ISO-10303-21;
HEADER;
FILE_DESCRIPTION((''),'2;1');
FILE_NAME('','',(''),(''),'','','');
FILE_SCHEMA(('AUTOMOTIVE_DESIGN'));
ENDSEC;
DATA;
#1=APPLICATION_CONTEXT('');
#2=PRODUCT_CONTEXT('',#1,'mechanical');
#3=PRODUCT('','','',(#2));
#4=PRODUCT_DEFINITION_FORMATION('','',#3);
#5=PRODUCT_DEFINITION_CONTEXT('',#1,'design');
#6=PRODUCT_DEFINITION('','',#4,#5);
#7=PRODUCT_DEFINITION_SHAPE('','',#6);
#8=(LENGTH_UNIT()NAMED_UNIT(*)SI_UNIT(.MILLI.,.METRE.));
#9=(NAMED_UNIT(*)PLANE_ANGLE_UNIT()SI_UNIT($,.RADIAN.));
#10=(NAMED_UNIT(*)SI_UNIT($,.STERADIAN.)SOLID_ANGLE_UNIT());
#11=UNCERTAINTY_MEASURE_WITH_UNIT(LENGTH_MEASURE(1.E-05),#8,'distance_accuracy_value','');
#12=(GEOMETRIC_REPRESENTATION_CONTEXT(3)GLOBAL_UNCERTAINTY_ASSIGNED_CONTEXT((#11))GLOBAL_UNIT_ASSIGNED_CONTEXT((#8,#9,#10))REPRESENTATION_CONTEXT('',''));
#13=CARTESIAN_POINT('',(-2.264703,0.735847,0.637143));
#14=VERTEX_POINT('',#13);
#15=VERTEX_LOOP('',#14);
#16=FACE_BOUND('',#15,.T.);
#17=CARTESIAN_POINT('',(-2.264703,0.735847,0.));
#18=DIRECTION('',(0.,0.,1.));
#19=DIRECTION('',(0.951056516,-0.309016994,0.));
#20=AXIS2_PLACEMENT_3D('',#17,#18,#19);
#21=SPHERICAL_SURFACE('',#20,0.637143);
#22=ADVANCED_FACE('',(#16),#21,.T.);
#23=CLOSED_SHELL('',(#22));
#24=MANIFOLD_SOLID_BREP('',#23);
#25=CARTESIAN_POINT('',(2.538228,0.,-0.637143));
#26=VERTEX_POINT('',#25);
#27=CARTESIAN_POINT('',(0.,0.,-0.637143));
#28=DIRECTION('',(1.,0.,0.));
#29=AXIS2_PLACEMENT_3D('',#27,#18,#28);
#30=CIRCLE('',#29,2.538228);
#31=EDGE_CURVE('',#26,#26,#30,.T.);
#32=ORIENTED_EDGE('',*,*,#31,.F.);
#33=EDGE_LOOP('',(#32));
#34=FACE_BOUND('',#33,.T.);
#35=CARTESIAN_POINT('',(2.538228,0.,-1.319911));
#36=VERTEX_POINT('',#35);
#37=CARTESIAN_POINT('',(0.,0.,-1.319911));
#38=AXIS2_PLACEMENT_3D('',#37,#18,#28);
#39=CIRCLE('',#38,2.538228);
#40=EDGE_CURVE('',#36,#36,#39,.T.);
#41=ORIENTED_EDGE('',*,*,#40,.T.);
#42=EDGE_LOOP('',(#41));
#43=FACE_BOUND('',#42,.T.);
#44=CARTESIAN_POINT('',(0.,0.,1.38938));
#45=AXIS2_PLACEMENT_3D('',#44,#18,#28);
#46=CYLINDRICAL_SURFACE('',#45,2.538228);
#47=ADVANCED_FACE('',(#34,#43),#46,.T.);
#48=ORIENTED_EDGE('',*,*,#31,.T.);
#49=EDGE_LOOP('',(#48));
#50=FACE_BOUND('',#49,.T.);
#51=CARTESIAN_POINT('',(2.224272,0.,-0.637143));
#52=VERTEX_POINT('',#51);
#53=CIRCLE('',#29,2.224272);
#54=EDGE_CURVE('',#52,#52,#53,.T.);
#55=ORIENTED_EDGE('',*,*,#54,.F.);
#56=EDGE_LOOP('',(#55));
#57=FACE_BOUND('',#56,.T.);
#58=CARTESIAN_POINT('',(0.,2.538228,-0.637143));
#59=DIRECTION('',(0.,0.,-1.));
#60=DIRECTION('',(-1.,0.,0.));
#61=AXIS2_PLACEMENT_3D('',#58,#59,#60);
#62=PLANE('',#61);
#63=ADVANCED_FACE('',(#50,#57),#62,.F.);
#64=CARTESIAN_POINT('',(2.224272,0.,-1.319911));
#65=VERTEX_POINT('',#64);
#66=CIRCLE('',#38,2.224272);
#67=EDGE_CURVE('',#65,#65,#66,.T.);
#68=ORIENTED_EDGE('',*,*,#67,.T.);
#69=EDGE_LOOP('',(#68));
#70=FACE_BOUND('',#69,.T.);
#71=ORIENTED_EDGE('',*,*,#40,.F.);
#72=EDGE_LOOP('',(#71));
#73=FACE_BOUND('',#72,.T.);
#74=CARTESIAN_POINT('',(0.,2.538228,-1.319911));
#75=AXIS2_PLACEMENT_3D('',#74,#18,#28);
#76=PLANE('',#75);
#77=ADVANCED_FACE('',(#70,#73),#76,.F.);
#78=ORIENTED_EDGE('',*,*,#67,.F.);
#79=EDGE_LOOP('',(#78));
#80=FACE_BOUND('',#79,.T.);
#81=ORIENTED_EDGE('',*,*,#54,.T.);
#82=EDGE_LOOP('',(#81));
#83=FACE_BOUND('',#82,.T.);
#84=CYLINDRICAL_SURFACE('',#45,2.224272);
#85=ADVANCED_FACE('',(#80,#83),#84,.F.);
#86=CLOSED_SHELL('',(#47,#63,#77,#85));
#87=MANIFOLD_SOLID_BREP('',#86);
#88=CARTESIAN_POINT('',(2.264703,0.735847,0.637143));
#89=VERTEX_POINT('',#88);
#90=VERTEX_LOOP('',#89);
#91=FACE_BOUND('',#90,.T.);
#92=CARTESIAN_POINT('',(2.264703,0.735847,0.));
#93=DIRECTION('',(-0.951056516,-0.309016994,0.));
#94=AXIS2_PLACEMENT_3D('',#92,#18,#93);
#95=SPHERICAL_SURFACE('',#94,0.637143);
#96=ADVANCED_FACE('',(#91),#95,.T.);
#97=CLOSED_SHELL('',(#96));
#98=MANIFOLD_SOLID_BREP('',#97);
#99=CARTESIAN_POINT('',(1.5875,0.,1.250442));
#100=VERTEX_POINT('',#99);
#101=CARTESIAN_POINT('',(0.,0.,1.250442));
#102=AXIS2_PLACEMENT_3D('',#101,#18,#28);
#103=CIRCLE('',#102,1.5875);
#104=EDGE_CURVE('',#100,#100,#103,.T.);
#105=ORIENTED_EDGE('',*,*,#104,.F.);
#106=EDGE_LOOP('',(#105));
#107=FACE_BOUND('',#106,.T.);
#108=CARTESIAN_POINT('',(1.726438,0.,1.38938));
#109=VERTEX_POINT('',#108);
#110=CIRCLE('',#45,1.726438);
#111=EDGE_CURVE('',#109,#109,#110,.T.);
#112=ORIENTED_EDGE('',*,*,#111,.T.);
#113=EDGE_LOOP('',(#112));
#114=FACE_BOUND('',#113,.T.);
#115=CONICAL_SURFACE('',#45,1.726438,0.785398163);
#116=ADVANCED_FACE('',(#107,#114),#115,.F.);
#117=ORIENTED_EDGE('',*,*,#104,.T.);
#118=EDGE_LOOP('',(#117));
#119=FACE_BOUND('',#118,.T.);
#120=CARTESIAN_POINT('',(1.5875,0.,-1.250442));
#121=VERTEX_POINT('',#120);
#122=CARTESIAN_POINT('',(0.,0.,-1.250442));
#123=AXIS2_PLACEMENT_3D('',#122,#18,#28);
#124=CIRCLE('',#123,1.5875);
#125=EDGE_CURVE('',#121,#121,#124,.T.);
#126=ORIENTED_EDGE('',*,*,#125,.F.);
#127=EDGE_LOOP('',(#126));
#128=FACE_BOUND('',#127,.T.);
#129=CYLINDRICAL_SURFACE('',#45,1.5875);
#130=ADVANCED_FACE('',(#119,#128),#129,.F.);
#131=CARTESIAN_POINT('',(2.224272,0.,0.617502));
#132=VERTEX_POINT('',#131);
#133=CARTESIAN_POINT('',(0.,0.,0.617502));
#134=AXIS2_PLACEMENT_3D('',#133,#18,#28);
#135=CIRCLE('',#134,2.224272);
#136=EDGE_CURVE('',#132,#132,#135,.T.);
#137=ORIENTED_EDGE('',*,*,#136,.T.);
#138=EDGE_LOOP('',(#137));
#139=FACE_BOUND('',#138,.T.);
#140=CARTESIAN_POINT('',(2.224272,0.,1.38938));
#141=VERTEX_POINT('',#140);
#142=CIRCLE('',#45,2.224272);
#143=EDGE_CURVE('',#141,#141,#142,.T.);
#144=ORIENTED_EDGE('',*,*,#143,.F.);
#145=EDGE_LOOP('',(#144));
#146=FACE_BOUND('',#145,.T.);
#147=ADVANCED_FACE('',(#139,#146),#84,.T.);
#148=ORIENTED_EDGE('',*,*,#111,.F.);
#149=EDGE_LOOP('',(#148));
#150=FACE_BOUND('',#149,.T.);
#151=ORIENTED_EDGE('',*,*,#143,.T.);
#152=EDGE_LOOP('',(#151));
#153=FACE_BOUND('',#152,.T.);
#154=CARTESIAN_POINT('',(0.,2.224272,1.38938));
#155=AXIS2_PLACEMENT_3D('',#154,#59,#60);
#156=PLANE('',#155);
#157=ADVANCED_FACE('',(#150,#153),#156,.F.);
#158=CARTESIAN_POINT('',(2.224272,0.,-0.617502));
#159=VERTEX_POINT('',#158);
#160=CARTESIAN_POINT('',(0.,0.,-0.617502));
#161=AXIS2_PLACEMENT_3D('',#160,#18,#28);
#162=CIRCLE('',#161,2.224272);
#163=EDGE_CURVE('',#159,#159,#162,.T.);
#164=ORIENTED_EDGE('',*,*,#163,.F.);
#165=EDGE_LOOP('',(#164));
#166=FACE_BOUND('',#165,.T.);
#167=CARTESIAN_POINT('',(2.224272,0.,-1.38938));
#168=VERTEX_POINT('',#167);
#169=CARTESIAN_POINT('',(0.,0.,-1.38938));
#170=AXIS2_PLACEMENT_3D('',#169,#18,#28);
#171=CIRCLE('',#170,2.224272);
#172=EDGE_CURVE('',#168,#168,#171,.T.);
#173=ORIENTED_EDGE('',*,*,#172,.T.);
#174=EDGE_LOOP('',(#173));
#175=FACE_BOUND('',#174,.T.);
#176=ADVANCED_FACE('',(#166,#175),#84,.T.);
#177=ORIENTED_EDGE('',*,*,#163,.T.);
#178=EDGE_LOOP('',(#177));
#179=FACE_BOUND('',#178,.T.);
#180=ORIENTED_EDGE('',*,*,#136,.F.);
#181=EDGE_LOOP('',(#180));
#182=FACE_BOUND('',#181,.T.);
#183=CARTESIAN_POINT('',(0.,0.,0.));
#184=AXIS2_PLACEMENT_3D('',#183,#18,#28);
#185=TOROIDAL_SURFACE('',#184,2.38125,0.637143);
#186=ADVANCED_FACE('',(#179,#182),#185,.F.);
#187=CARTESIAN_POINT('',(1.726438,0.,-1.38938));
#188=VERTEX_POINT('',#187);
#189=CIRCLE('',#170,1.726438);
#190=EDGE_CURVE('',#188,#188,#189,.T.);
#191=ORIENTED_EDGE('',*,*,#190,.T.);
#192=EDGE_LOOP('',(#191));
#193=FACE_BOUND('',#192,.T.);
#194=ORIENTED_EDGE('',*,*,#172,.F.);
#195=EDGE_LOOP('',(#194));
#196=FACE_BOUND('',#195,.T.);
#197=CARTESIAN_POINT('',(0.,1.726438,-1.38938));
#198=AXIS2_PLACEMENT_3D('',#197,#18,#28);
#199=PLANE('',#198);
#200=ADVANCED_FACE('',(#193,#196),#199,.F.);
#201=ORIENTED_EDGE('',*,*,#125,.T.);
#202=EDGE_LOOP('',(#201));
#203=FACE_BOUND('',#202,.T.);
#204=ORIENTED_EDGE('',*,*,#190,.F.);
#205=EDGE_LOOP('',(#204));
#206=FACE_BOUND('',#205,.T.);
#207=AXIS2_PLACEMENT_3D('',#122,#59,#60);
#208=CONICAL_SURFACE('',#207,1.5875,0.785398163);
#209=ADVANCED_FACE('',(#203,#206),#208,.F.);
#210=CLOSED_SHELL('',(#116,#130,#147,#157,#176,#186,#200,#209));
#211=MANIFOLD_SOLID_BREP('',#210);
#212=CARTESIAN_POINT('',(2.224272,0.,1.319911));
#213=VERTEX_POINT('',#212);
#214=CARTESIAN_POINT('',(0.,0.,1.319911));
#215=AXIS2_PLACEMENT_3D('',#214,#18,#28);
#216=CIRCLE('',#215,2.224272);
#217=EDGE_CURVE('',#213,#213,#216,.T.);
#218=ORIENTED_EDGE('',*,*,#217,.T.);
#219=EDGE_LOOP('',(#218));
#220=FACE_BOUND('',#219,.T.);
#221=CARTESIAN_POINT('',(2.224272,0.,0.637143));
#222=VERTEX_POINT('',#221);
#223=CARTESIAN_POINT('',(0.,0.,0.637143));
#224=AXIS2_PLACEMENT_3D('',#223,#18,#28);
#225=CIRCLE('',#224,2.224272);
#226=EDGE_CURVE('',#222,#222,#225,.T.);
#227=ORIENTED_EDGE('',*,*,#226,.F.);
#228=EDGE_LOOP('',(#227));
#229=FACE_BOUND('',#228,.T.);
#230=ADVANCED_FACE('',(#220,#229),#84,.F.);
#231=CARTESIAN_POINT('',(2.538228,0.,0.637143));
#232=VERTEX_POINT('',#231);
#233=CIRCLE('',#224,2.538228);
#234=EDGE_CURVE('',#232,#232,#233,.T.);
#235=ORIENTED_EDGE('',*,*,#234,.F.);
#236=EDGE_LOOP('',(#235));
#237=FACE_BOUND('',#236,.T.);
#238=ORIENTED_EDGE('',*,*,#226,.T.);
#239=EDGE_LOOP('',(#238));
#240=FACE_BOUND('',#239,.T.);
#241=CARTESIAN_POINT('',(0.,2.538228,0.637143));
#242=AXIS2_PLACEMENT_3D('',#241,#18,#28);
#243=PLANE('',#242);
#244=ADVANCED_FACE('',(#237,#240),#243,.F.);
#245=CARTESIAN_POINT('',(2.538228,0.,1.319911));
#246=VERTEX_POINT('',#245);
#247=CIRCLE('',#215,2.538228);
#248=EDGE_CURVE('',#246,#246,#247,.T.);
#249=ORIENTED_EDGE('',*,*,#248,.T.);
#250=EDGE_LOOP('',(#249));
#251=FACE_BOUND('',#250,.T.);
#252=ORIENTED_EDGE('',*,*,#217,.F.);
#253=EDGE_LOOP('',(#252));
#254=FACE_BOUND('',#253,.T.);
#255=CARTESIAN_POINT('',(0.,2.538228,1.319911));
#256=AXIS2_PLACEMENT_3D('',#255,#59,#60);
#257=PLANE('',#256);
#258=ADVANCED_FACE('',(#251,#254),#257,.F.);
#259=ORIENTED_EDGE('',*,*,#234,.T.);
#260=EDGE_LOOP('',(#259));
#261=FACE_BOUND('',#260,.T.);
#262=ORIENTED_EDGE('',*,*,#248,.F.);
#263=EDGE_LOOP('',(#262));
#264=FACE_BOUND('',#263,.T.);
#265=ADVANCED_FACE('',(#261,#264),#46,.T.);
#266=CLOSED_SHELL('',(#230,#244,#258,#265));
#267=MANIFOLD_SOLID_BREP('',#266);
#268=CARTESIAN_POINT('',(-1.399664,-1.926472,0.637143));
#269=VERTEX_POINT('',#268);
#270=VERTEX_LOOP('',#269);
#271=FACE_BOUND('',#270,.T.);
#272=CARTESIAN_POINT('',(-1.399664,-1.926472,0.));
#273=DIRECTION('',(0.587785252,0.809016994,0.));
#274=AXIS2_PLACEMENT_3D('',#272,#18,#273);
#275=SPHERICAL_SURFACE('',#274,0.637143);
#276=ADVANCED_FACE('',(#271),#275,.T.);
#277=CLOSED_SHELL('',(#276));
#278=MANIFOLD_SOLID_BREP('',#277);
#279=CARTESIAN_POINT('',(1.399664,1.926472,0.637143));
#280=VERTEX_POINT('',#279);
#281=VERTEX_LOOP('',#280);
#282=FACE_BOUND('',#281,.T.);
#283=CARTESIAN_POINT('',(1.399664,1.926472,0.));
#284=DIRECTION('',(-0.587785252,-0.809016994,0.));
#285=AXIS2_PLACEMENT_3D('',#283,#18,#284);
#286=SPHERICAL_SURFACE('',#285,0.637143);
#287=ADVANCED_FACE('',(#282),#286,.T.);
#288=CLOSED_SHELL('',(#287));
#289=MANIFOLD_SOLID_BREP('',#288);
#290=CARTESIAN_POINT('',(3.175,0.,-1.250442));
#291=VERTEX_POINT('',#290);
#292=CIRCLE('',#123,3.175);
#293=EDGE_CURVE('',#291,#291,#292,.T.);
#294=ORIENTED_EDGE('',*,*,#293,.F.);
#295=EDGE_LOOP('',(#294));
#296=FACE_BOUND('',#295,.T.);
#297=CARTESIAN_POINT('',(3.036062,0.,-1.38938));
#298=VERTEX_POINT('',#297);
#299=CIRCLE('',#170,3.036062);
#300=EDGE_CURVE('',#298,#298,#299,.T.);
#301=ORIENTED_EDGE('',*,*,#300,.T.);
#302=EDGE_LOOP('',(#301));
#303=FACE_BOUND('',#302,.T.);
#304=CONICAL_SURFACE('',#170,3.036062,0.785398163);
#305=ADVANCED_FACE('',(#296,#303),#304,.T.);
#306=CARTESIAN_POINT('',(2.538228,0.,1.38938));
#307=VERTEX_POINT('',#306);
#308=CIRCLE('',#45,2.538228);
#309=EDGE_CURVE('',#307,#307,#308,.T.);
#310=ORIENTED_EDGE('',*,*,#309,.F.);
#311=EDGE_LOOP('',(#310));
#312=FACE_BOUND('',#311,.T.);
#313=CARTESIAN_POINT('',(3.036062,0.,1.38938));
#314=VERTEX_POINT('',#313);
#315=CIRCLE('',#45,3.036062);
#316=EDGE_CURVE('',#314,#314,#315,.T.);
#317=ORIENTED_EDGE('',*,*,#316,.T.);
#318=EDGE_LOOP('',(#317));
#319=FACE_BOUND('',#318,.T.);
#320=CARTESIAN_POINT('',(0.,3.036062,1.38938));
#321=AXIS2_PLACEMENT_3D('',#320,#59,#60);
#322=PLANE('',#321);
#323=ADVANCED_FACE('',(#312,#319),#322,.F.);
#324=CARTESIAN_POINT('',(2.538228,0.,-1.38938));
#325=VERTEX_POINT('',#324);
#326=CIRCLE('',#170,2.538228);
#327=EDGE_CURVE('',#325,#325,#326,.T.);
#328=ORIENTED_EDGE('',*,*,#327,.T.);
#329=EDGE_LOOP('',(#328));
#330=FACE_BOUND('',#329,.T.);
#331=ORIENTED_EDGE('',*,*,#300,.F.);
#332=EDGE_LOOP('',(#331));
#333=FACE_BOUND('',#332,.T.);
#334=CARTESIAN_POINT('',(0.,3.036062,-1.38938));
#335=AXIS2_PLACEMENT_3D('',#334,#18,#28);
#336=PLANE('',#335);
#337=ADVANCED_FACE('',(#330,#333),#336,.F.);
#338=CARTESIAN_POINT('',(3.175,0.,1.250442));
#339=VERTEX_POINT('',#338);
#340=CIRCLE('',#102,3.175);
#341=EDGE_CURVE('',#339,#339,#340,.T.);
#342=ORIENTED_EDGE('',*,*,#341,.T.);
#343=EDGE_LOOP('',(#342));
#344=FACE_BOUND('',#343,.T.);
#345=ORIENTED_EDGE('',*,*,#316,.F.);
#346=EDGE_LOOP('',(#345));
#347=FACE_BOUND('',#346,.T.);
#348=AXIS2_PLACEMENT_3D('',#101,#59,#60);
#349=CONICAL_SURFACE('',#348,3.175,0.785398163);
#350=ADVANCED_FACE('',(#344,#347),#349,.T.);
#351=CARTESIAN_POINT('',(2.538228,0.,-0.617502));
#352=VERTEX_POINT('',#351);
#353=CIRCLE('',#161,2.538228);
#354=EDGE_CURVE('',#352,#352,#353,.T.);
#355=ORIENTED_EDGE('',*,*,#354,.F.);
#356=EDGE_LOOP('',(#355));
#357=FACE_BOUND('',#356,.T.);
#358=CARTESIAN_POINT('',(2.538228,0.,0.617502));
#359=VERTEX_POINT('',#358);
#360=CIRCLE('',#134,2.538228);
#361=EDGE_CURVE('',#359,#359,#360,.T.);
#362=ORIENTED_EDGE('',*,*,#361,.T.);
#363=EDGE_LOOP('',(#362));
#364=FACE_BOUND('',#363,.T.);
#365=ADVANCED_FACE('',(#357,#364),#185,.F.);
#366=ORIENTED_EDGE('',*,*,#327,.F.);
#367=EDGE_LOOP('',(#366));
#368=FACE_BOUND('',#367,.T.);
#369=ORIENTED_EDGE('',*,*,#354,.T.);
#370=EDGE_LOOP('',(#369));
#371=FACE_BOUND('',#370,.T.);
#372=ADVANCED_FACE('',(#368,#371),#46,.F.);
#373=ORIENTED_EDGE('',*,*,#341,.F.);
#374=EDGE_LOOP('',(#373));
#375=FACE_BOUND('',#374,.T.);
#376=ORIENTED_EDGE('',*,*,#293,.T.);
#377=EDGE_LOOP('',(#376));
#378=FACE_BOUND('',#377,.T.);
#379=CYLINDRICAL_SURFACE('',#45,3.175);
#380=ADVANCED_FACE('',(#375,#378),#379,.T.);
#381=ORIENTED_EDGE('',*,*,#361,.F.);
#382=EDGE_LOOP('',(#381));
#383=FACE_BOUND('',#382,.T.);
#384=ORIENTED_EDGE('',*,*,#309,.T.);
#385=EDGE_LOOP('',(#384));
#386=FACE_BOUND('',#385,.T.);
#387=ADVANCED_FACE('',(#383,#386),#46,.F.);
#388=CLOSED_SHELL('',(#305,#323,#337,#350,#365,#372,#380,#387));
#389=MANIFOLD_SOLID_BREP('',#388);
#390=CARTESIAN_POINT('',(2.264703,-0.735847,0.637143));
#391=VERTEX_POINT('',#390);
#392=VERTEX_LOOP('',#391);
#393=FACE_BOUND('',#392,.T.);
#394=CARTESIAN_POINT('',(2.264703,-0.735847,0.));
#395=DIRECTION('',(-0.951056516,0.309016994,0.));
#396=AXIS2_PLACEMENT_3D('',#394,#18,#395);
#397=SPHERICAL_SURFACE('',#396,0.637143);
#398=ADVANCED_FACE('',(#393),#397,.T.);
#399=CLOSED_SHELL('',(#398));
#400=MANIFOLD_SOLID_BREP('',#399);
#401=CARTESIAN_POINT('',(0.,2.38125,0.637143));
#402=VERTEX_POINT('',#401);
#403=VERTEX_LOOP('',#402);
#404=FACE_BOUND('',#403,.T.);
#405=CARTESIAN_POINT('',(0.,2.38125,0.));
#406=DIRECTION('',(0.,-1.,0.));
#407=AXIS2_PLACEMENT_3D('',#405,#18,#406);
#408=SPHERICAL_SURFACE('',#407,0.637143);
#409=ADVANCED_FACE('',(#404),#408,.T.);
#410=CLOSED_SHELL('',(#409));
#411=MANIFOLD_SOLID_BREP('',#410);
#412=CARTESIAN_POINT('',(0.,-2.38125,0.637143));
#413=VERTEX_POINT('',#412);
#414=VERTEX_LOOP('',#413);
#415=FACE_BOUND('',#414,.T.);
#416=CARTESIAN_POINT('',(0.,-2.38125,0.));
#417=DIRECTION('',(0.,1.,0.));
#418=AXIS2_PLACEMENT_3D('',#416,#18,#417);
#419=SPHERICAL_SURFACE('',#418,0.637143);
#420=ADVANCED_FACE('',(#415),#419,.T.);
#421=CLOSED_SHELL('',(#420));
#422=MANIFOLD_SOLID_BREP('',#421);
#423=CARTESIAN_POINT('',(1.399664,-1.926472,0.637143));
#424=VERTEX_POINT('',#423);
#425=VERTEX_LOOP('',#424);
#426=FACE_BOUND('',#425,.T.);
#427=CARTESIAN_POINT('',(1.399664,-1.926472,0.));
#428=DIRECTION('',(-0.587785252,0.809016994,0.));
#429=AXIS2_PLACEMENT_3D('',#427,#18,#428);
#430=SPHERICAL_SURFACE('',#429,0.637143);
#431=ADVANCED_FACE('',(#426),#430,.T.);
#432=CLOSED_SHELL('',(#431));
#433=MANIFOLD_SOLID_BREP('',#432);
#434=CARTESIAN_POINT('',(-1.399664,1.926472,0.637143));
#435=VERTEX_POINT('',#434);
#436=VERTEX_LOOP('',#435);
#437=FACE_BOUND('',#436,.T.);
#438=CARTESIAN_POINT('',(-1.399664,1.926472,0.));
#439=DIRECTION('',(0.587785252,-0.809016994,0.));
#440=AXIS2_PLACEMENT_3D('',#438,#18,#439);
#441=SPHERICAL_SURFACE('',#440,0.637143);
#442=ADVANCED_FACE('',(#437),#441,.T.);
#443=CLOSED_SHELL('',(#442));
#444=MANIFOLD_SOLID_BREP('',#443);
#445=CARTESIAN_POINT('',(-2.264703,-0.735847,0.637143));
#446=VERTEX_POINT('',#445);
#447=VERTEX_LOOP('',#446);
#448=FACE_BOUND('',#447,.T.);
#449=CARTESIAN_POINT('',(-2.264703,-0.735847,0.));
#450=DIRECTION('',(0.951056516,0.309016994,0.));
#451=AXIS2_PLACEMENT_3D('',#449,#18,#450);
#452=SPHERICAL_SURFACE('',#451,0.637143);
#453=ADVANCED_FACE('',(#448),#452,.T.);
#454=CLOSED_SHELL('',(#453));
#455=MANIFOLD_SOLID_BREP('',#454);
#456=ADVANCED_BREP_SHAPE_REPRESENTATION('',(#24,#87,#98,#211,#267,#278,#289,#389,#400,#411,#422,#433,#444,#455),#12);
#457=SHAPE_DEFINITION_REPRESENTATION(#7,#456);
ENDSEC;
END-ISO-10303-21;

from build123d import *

# Parameters (mm, degrees)
CIRPATTERN1_COUNT = 10
SKETCH5_W         = 0.682768194
SKETCH5_H         = 0.313955164


with BuildPart() as part:
    # Sketch1 → Revolve1 (revolve)
    with BuildSketch(Plane(origin=(0, 0, 0), x_dir=(0, 0, -1), z_dir=(1, 0, 0))):
        with BuildLine():
            Line((1.250442, 3.175), (-1.250442, 3.175))
            Line((-1.250442, 3.175), (-1.38938, 3.036062))
            Line((-1.38938, 3.036062), (-1.38938, 2.538227582))
            Line((-1.38938, 2.538227582), (-0.617502222, 2.538227582))
            ThreePointArc((-0.617502222, 2.538227582), (0, 3.018392806), (0.617502222, 2.538227582))
            Line((0.617502222, 2.538227582), (1.38938, 2.538227582))
            Line((1.38938, 2.538227582), (1.38938, 3.036062))
            Line((1.38938, 3.036062), (1.250442, 3.175))
        make_face()
    revolve(axis=Axis((0, 0, 1.38938), (0, 0, -1)))


with BuildPart() as body_2:
    # Sketch3 → Revolve3 (revolve)
    with BuildSketch(Plane(origin=(0, 0, 0), x_dir=(0, 0, -1), z_dir=(1, 0, 0))):
        with BuildLine():
            Line((-0.617502222, 2.224272418), (-1.38938, 2.224272418))
            Line((-1.38938, 2.224272418), (-1.38938, 1.726438))
            Line((-1.38938, 1.726438), (-1.250442, 1.5875))
            Line((-1.250442, 1.5875), (1.250442, 1.5875))
            Line((1.250442, 1.5875), (1.38938, 1.726438))
            Line((1.38938, 1.726438), (1.38938, 2.224272418))
            Line((1.38938, 2.224272418), (0.617502222, 2.224272418))
            ThreePointArc((0.617502222, 2.224272418), (0, 1.744107194), (-0.617502222, 2.224272418))
        make_face()
    revolve(axis=Axis((0, 0, 1.38938), (0, 0, -1)))


with BuildPart() as body_3:
    # Sketch4 → Revolve4 (revolve)
    with BuildSketch(Plane(origin=(0, 0, 0), x_dir=(0, 0, -1), z_dir=(1, 0, 0))):
        with BuildLine():
            Line((-0.637142806, 2.38125), (0.637142806, 2.38125))
            ThreePointArc((0.637142806, 2.38125), (0, 3.018392806), (-0.637142806, 2.38125))
        make_face()
    revolve(axis=Axis((0, 2.38125, 0.637142806), (0, 0, -1)))


with BuildPart() as cirpattern1_1:
    # CirPattern1: pattern copy
    add(body_3.part.rotate(Axis((0, 0, -1.38938), (0, 0, 1)), 1 * 360 / CIRPATTERN1_COUNT))


with BuildPart() as cirpattern1_2:
    # CirPattern1: pattern copy
    add(body_3.part.rotate(Axis((0, 0, -1.38938), (0, 0, 1)), 2 * 360 / CIRPATTERN1_COUNT))


with BuildPart() as cirpattern1_3:
    # CirPattern1: pattern copy
    add(body_3.part.rotate(Axis((0, 0, -1.38938), (0, 0, 1)), 3 * 360 / CIRPATTERN1_COUNT))


with BuildPart() as cirpattern1_4:
    # CirPattern1: pattern copy
    add(body_3.part.rotate(Axis((0, 0, -1.38938), (0, 0, 1)), 4 * 360 / CIRPATTERN1_COUNT))


with BuildPart() as cirpattern1_5:
    # CirPattern1: pattern copy
    add(body_3.part.rotate(Axis((0, 0, -1.38938), (0, 0, 1)), 5 * 360 / CIRPATTERN1_COUNT))


with BuildPart() as cirpattern1_6:
    # CirPattern1: pattern copy
    add(body_3.part.rotate(Axis((0, 0, -1.38938), (0, 0, 1)), 6 * 360 / CIRPATTERN1_COUNT))


with BuildPart() as cirpattern1_7:
    # CirPattern1: pattern copy
    add(body_3.part.rotate(Axis((0, 0, -1.38938), (0, 0, 1)), 7 * 360 / CIRPATTERN1_COUNT))


with BuildPart() as cirpattern1_8:
    # CirPattern1: pattern copy
    add(body_3.part.rotate(Axis((0, 0, -1.38938), (0, 0, 1)), 8 * 360 / CIRPATTERN1_COUNT))


with BuildPart() as cirpattern1_9:
    # CirPattern1: pattern copy
    add(body_3.part.rotate(Axis((0, 0, -1.38938), (0, 0, 1)), 9 * 360 / CIRPATTERN1_COUNT))


with BuildPart() as body_13:
    # Sketch5 → Revolve5 (revolve)
    with BuildSketch(Plane(origin=(0, 0, 0), x_dir=(0, 0, -1), z_dir=(1, 0, 0))):
        with Locations((-0.978526903, 2.38125)):
            Rectangle(SKETCH5_W, SKETCH5_H)
        with Locations((0.978526903, 2.38125)):
            Rectangle(SKETCH5_W, SKETCH5_H)
    revolve(axis=Axis((0, 0, 1.38938), (0, 0, -1)))


solid = Compound([part.part, body_2.part, body_3.part, cirpattern1_1.part, cirpattern1_2.part, cirpattern1_3.part, cirpattern1_4.part, cirpattern1_5.part, cirpattern1_6.part, cirpattern1_7.part, cirpattern1_8.part, cirpattern1_9.part, body_13.part])
